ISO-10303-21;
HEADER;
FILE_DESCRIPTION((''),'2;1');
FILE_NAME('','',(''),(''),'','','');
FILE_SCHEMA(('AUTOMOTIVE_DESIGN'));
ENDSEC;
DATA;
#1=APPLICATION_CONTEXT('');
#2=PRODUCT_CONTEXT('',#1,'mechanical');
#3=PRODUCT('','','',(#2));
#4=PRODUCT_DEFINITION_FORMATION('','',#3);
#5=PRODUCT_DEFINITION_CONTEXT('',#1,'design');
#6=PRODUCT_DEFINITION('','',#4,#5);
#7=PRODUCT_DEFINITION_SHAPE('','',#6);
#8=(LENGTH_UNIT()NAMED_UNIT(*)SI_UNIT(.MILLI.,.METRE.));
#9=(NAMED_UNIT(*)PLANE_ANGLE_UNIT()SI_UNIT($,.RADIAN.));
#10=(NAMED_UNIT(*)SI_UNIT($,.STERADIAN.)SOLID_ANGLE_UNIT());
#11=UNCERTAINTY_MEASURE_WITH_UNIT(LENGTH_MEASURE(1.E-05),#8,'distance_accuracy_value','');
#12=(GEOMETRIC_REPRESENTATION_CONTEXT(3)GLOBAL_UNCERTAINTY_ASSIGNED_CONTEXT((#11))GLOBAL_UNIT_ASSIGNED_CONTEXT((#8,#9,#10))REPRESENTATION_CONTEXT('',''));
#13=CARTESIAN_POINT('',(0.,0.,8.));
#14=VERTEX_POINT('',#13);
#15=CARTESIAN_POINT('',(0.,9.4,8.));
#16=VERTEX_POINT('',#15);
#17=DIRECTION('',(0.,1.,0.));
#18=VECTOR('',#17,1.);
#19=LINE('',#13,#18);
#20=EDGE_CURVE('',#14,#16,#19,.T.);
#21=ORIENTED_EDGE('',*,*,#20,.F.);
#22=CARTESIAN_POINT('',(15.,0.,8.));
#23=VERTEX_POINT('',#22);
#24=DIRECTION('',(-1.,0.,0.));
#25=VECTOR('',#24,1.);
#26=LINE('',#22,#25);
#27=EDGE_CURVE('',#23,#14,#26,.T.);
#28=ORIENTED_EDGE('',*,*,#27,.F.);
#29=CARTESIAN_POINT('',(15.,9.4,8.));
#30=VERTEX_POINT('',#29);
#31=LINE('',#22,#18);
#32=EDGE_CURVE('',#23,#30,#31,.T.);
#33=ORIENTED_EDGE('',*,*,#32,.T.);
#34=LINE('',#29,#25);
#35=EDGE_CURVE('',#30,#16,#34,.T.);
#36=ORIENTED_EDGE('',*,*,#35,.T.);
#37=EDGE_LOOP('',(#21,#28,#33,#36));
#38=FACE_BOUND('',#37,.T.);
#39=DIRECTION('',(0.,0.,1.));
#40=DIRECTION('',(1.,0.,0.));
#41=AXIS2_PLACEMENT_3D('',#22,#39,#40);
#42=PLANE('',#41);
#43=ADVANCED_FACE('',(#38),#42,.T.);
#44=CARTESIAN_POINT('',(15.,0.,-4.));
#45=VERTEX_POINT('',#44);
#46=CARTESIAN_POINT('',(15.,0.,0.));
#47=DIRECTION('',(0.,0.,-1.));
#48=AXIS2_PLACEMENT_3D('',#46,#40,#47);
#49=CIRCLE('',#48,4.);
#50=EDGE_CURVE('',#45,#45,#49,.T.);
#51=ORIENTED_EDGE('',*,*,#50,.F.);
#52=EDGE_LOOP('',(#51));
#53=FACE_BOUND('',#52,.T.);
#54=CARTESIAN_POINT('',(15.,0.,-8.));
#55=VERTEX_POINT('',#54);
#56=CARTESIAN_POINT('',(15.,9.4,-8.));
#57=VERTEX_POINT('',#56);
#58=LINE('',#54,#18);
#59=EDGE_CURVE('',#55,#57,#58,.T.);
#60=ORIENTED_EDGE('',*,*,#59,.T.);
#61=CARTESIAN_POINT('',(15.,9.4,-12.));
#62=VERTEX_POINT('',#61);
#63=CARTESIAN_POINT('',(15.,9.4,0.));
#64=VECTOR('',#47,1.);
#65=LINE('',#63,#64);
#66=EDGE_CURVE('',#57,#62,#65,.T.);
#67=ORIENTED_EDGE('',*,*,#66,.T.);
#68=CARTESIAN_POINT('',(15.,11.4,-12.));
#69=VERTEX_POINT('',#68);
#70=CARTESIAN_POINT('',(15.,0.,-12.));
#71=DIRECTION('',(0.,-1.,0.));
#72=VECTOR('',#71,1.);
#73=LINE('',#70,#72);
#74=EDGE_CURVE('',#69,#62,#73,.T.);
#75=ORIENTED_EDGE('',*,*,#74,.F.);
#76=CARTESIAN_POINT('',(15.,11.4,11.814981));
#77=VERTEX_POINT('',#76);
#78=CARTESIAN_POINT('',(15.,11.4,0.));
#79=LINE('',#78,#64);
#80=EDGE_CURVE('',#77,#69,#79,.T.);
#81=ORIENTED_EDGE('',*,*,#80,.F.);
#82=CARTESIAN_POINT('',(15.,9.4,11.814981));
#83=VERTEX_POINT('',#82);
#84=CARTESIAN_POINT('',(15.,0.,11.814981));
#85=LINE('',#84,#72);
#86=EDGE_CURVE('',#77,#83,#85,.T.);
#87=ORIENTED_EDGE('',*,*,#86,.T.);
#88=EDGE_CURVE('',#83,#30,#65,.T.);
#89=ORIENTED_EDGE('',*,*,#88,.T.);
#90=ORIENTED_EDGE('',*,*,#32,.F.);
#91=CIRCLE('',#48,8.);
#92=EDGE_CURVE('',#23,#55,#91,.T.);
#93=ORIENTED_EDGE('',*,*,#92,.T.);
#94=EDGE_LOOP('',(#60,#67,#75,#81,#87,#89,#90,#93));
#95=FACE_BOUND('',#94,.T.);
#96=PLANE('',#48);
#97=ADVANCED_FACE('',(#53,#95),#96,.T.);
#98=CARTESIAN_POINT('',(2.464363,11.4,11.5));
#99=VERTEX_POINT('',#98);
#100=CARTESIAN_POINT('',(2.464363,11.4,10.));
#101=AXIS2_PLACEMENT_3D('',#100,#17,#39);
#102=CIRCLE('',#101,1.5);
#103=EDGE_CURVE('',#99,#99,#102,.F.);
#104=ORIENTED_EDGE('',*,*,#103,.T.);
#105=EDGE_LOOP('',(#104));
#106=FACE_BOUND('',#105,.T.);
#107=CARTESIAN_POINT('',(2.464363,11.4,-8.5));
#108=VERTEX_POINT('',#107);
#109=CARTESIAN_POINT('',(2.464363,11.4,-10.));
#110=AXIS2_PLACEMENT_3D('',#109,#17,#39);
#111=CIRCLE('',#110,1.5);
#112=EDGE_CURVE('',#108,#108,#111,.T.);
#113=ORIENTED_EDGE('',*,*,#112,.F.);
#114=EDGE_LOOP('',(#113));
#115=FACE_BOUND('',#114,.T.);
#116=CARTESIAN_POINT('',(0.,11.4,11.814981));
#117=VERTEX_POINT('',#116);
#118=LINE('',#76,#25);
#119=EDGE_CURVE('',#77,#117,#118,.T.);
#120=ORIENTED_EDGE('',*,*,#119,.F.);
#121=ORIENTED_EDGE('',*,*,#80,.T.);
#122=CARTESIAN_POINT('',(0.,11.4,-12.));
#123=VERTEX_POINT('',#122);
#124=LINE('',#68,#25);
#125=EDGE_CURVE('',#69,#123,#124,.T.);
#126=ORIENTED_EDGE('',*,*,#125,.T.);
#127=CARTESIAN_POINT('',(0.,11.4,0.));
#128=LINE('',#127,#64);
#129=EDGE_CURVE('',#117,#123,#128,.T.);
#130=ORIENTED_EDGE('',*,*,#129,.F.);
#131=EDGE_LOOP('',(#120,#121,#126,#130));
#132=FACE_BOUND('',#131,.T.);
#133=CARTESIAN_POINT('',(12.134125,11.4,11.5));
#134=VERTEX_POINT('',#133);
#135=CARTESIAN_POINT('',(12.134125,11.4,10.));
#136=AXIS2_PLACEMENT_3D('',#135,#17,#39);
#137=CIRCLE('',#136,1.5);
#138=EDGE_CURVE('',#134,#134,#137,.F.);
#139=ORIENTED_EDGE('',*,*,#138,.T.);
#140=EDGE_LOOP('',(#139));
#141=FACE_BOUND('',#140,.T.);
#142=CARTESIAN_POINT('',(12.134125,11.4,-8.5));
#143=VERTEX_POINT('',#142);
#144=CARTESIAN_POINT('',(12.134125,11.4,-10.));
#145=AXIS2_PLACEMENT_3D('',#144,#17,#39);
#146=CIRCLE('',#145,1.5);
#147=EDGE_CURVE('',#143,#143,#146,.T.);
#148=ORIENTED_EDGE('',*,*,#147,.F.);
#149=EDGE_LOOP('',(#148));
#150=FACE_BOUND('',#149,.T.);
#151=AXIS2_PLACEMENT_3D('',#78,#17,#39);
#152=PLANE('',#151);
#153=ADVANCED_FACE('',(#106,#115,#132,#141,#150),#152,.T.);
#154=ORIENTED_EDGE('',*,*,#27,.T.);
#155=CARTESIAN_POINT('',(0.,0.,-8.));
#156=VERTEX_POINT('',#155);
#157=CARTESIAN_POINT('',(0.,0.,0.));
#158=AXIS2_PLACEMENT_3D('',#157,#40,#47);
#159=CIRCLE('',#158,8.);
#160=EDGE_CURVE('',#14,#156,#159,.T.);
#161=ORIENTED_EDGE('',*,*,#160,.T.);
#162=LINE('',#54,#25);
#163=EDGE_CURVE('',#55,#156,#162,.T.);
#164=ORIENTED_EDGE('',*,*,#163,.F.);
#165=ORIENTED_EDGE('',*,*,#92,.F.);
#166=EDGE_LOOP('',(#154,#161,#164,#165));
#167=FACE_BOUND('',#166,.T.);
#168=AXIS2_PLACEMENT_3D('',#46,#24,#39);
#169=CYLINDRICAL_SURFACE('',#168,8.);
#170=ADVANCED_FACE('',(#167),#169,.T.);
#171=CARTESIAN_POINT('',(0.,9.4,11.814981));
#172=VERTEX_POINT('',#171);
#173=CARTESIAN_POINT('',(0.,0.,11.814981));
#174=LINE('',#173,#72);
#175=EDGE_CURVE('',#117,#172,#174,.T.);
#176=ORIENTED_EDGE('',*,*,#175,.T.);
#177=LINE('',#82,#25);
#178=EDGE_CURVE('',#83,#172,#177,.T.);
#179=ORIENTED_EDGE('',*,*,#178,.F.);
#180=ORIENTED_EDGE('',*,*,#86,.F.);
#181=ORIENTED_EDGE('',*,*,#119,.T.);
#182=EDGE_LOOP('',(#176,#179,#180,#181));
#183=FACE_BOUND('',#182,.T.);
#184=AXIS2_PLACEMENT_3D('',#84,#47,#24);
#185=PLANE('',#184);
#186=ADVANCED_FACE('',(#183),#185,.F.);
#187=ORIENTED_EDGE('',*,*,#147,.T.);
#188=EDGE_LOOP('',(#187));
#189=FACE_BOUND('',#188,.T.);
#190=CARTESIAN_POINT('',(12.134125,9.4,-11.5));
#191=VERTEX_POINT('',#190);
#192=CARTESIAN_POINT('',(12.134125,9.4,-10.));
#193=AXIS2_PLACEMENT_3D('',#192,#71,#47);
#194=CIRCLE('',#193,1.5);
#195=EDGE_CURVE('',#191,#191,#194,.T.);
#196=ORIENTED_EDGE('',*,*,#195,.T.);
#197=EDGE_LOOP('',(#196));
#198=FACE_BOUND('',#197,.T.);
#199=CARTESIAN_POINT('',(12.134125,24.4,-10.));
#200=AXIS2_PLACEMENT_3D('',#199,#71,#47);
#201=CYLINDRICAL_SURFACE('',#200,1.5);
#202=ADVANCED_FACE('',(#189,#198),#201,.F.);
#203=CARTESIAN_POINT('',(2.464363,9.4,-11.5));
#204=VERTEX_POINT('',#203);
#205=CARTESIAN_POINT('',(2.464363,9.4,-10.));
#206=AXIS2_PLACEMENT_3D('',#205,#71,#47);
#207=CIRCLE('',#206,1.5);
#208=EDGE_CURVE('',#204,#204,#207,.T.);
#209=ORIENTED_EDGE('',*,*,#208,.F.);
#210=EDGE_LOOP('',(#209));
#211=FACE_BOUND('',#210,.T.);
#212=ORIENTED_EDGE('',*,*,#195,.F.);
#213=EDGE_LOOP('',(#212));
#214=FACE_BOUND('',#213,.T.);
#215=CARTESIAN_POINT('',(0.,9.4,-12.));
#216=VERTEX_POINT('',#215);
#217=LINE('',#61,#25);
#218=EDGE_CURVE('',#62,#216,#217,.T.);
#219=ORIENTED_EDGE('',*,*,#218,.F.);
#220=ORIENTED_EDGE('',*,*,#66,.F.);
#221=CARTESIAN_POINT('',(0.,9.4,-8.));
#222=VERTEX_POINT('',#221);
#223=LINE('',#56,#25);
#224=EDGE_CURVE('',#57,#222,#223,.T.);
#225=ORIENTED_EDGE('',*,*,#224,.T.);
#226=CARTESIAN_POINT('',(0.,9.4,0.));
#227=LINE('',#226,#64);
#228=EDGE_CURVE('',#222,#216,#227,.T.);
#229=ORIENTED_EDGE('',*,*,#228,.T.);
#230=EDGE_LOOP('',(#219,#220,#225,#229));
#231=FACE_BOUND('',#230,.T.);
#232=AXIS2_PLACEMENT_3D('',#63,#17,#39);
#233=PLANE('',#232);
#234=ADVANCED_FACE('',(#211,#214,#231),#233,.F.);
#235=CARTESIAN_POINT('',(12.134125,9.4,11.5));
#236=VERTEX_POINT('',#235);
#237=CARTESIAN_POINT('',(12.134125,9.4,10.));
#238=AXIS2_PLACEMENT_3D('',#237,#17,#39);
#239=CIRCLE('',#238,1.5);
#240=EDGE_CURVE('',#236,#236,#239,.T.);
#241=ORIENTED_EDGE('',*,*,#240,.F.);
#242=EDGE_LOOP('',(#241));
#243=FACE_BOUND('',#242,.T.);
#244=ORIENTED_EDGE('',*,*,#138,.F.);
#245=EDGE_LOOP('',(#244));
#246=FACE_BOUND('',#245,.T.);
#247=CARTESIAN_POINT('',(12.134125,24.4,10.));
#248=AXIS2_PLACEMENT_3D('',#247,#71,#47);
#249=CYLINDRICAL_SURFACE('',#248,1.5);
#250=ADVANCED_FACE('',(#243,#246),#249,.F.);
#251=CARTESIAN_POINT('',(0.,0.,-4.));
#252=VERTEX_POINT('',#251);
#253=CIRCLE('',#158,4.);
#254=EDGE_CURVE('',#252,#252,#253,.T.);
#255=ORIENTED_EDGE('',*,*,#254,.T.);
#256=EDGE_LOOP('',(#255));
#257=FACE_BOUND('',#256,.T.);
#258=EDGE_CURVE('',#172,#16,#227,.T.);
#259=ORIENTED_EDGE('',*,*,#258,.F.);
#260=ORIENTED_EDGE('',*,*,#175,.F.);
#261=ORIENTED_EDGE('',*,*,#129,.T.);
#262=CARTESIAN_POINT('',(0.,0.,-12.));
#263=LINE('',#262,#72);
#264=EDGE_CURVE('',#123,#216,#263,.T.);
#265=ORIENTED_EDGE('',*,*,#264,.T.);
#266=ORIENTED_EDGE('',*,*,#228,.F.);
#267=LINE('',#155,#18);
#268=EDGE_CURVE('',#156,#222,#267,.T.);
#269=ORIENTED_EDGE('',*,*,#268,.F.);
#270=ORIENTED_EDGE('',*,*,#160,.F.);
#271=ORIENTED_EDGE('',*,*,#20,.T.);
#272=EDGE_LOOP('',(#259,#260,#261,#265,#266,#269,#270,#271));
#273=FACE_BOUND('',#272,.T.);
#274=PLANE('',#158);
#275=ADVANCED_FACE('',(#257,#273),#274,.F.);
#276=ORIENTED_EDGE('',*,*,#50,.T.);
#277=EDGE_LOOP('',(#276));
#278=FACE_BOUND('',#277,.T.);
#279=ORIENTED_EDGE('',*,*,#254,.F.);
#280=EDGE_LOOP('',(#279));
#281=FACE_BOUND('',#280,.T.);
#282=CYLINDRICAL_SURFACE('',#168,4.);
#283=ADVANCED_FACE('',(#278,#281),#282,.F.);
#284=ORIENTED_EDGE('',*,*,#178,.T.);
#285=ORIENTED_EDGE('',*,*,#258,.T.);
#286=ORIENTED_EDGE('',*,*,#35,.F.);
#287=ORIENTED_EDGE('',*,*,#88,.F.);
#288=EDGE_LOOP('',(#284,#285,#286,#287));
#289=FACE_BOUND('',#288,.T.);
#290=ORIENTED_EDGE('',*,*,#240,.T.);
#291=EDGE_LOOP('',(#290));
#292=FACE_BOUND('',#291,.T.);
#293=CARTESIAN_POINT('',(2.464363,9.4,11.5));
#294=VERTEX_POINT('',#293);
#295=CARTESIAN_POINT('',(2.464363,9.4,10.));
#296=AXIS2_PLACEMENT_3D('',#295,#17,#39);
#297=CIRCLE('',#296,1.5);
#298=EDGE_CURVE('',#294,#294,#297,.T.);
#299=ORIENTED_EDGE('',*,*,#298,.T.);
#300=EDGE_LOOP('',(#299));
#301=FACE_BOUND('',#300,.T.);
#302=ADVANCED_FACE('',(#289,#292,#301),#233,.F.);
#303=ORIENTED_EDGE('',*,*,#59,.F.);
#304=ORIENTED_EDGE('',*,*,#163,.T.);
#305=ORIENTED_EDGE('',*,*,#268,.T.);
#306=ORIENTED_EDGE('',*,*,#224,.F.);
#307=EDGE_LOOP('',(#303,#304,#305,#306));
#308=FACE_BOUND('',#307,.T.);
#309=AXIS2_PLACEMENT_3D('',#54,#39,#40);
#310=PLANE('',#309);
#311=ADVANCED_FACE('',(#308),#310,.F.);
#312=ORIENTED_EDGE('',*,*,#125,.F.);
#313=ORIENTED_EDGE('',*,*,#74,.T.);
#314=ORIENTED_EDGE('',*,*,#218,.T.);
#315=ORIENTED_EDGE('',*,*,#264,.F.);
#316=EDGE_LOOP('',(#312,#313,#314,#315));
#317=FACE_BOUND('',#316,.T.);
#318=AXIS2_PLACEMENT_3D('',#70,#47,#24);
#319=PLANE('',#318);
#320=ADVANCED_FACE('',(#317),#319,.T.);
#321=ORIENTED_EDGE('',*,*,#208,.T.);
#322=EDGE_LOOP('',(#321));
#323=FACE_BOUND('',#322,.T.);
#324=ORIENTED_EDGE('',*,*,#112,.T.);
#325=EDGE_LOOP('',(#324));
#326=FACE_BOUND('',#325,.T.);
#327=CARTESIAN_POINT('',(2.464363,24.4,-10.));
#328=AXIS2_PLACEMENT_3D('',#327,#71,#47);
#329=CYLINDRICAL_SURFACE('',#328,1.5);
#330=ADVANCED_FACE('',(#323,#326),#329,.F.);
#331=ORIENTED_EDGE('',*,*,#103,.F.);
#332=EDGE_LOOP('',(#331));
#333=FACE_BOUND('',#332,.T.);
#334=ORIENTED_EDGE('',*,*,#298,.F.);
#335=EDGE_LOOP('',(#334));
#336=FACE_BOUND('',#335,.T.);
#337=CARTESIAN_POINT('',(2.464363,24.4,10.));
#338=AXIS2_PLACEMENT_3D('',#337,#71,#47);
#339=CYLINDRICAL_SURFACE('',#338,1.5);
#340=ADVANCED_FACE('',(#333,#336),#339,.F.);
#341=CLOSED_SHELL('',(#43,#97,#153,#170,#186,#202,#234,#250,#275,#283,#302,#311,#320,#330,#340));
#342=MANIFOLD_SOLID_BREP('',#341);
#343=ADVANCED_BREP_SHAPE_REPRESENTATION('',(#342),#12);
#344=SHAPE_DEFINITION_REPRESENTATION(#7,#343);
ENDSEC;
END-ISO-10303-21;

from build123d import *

# Parameters (mm, degrees)
BOSS_EXTRUDE1_DEPTH = 15
SKETCH3_R           = 1.5
CUT_EXTRUDE1_DEPTH  = 15


with BuildPart() as part:
    # Sketch2 → Boss-Extrude1 (new body)
    with BuildSketch(Plane(origin=(0, 0, 0), x_dir=(0, 0, -1), z_dir=(1, 0, 0))):
        with BuildLine():
            Line((8, 11.4), (-7.814981045, 11.4))
            Line((-7.814981045, 11.4), (-11.814981045, 11.4))
            Line((-11.814981045, 11.4), (-11.814981045, 9.4))
            Line((-11.814981045, 9.4), (-8, 9.4))
            Line((-8, 9.4), (-8, 0))
            ThreePointArc((-8, 0), (0, -8), (8, 0))
            Line((8, 0), (8, 9.4))
            Line((8, 9.4), (12, 9.4))
            Line((12, 9.4), (12, 11.4))
            Line((12, 11.4), (8, 11.4))
        make_face()
        with BuildLine():
            ThreePointArc((4, 0), (0, -4), (-4, 0))
            ThreePointArc((-4, 0), (0, 4), (4, 0))
        make_face(mode=Mode.SUBTRACT)
    extrude(amount=BOSS_EXTRUDE1_DEPTH)

    # Sketch3 → Cut-Extrude1 (cut)
    with BuildSketch(Plane.XZ.offset(-9.4)):
        with Locations(Location((2.464362638, -10, 0), (0, 0, 270))):
            Circle(SKETCH3_R)
        with Locations(Location((12.134124748, -10, 0), (0, 0, 270))):
            Circle(SKETCH3_R)
    cut_extrude1 = extrude(amount=-CUT_EXTRUDE1_DEPTH, mode=Mode.SUBTRACT)

    # Mirror1: Cut-Extrude1 across plane
    add(cut_extrude1.mirror(Plane.XY), mode=Mode.SUBTRACT)


solid = part.part
